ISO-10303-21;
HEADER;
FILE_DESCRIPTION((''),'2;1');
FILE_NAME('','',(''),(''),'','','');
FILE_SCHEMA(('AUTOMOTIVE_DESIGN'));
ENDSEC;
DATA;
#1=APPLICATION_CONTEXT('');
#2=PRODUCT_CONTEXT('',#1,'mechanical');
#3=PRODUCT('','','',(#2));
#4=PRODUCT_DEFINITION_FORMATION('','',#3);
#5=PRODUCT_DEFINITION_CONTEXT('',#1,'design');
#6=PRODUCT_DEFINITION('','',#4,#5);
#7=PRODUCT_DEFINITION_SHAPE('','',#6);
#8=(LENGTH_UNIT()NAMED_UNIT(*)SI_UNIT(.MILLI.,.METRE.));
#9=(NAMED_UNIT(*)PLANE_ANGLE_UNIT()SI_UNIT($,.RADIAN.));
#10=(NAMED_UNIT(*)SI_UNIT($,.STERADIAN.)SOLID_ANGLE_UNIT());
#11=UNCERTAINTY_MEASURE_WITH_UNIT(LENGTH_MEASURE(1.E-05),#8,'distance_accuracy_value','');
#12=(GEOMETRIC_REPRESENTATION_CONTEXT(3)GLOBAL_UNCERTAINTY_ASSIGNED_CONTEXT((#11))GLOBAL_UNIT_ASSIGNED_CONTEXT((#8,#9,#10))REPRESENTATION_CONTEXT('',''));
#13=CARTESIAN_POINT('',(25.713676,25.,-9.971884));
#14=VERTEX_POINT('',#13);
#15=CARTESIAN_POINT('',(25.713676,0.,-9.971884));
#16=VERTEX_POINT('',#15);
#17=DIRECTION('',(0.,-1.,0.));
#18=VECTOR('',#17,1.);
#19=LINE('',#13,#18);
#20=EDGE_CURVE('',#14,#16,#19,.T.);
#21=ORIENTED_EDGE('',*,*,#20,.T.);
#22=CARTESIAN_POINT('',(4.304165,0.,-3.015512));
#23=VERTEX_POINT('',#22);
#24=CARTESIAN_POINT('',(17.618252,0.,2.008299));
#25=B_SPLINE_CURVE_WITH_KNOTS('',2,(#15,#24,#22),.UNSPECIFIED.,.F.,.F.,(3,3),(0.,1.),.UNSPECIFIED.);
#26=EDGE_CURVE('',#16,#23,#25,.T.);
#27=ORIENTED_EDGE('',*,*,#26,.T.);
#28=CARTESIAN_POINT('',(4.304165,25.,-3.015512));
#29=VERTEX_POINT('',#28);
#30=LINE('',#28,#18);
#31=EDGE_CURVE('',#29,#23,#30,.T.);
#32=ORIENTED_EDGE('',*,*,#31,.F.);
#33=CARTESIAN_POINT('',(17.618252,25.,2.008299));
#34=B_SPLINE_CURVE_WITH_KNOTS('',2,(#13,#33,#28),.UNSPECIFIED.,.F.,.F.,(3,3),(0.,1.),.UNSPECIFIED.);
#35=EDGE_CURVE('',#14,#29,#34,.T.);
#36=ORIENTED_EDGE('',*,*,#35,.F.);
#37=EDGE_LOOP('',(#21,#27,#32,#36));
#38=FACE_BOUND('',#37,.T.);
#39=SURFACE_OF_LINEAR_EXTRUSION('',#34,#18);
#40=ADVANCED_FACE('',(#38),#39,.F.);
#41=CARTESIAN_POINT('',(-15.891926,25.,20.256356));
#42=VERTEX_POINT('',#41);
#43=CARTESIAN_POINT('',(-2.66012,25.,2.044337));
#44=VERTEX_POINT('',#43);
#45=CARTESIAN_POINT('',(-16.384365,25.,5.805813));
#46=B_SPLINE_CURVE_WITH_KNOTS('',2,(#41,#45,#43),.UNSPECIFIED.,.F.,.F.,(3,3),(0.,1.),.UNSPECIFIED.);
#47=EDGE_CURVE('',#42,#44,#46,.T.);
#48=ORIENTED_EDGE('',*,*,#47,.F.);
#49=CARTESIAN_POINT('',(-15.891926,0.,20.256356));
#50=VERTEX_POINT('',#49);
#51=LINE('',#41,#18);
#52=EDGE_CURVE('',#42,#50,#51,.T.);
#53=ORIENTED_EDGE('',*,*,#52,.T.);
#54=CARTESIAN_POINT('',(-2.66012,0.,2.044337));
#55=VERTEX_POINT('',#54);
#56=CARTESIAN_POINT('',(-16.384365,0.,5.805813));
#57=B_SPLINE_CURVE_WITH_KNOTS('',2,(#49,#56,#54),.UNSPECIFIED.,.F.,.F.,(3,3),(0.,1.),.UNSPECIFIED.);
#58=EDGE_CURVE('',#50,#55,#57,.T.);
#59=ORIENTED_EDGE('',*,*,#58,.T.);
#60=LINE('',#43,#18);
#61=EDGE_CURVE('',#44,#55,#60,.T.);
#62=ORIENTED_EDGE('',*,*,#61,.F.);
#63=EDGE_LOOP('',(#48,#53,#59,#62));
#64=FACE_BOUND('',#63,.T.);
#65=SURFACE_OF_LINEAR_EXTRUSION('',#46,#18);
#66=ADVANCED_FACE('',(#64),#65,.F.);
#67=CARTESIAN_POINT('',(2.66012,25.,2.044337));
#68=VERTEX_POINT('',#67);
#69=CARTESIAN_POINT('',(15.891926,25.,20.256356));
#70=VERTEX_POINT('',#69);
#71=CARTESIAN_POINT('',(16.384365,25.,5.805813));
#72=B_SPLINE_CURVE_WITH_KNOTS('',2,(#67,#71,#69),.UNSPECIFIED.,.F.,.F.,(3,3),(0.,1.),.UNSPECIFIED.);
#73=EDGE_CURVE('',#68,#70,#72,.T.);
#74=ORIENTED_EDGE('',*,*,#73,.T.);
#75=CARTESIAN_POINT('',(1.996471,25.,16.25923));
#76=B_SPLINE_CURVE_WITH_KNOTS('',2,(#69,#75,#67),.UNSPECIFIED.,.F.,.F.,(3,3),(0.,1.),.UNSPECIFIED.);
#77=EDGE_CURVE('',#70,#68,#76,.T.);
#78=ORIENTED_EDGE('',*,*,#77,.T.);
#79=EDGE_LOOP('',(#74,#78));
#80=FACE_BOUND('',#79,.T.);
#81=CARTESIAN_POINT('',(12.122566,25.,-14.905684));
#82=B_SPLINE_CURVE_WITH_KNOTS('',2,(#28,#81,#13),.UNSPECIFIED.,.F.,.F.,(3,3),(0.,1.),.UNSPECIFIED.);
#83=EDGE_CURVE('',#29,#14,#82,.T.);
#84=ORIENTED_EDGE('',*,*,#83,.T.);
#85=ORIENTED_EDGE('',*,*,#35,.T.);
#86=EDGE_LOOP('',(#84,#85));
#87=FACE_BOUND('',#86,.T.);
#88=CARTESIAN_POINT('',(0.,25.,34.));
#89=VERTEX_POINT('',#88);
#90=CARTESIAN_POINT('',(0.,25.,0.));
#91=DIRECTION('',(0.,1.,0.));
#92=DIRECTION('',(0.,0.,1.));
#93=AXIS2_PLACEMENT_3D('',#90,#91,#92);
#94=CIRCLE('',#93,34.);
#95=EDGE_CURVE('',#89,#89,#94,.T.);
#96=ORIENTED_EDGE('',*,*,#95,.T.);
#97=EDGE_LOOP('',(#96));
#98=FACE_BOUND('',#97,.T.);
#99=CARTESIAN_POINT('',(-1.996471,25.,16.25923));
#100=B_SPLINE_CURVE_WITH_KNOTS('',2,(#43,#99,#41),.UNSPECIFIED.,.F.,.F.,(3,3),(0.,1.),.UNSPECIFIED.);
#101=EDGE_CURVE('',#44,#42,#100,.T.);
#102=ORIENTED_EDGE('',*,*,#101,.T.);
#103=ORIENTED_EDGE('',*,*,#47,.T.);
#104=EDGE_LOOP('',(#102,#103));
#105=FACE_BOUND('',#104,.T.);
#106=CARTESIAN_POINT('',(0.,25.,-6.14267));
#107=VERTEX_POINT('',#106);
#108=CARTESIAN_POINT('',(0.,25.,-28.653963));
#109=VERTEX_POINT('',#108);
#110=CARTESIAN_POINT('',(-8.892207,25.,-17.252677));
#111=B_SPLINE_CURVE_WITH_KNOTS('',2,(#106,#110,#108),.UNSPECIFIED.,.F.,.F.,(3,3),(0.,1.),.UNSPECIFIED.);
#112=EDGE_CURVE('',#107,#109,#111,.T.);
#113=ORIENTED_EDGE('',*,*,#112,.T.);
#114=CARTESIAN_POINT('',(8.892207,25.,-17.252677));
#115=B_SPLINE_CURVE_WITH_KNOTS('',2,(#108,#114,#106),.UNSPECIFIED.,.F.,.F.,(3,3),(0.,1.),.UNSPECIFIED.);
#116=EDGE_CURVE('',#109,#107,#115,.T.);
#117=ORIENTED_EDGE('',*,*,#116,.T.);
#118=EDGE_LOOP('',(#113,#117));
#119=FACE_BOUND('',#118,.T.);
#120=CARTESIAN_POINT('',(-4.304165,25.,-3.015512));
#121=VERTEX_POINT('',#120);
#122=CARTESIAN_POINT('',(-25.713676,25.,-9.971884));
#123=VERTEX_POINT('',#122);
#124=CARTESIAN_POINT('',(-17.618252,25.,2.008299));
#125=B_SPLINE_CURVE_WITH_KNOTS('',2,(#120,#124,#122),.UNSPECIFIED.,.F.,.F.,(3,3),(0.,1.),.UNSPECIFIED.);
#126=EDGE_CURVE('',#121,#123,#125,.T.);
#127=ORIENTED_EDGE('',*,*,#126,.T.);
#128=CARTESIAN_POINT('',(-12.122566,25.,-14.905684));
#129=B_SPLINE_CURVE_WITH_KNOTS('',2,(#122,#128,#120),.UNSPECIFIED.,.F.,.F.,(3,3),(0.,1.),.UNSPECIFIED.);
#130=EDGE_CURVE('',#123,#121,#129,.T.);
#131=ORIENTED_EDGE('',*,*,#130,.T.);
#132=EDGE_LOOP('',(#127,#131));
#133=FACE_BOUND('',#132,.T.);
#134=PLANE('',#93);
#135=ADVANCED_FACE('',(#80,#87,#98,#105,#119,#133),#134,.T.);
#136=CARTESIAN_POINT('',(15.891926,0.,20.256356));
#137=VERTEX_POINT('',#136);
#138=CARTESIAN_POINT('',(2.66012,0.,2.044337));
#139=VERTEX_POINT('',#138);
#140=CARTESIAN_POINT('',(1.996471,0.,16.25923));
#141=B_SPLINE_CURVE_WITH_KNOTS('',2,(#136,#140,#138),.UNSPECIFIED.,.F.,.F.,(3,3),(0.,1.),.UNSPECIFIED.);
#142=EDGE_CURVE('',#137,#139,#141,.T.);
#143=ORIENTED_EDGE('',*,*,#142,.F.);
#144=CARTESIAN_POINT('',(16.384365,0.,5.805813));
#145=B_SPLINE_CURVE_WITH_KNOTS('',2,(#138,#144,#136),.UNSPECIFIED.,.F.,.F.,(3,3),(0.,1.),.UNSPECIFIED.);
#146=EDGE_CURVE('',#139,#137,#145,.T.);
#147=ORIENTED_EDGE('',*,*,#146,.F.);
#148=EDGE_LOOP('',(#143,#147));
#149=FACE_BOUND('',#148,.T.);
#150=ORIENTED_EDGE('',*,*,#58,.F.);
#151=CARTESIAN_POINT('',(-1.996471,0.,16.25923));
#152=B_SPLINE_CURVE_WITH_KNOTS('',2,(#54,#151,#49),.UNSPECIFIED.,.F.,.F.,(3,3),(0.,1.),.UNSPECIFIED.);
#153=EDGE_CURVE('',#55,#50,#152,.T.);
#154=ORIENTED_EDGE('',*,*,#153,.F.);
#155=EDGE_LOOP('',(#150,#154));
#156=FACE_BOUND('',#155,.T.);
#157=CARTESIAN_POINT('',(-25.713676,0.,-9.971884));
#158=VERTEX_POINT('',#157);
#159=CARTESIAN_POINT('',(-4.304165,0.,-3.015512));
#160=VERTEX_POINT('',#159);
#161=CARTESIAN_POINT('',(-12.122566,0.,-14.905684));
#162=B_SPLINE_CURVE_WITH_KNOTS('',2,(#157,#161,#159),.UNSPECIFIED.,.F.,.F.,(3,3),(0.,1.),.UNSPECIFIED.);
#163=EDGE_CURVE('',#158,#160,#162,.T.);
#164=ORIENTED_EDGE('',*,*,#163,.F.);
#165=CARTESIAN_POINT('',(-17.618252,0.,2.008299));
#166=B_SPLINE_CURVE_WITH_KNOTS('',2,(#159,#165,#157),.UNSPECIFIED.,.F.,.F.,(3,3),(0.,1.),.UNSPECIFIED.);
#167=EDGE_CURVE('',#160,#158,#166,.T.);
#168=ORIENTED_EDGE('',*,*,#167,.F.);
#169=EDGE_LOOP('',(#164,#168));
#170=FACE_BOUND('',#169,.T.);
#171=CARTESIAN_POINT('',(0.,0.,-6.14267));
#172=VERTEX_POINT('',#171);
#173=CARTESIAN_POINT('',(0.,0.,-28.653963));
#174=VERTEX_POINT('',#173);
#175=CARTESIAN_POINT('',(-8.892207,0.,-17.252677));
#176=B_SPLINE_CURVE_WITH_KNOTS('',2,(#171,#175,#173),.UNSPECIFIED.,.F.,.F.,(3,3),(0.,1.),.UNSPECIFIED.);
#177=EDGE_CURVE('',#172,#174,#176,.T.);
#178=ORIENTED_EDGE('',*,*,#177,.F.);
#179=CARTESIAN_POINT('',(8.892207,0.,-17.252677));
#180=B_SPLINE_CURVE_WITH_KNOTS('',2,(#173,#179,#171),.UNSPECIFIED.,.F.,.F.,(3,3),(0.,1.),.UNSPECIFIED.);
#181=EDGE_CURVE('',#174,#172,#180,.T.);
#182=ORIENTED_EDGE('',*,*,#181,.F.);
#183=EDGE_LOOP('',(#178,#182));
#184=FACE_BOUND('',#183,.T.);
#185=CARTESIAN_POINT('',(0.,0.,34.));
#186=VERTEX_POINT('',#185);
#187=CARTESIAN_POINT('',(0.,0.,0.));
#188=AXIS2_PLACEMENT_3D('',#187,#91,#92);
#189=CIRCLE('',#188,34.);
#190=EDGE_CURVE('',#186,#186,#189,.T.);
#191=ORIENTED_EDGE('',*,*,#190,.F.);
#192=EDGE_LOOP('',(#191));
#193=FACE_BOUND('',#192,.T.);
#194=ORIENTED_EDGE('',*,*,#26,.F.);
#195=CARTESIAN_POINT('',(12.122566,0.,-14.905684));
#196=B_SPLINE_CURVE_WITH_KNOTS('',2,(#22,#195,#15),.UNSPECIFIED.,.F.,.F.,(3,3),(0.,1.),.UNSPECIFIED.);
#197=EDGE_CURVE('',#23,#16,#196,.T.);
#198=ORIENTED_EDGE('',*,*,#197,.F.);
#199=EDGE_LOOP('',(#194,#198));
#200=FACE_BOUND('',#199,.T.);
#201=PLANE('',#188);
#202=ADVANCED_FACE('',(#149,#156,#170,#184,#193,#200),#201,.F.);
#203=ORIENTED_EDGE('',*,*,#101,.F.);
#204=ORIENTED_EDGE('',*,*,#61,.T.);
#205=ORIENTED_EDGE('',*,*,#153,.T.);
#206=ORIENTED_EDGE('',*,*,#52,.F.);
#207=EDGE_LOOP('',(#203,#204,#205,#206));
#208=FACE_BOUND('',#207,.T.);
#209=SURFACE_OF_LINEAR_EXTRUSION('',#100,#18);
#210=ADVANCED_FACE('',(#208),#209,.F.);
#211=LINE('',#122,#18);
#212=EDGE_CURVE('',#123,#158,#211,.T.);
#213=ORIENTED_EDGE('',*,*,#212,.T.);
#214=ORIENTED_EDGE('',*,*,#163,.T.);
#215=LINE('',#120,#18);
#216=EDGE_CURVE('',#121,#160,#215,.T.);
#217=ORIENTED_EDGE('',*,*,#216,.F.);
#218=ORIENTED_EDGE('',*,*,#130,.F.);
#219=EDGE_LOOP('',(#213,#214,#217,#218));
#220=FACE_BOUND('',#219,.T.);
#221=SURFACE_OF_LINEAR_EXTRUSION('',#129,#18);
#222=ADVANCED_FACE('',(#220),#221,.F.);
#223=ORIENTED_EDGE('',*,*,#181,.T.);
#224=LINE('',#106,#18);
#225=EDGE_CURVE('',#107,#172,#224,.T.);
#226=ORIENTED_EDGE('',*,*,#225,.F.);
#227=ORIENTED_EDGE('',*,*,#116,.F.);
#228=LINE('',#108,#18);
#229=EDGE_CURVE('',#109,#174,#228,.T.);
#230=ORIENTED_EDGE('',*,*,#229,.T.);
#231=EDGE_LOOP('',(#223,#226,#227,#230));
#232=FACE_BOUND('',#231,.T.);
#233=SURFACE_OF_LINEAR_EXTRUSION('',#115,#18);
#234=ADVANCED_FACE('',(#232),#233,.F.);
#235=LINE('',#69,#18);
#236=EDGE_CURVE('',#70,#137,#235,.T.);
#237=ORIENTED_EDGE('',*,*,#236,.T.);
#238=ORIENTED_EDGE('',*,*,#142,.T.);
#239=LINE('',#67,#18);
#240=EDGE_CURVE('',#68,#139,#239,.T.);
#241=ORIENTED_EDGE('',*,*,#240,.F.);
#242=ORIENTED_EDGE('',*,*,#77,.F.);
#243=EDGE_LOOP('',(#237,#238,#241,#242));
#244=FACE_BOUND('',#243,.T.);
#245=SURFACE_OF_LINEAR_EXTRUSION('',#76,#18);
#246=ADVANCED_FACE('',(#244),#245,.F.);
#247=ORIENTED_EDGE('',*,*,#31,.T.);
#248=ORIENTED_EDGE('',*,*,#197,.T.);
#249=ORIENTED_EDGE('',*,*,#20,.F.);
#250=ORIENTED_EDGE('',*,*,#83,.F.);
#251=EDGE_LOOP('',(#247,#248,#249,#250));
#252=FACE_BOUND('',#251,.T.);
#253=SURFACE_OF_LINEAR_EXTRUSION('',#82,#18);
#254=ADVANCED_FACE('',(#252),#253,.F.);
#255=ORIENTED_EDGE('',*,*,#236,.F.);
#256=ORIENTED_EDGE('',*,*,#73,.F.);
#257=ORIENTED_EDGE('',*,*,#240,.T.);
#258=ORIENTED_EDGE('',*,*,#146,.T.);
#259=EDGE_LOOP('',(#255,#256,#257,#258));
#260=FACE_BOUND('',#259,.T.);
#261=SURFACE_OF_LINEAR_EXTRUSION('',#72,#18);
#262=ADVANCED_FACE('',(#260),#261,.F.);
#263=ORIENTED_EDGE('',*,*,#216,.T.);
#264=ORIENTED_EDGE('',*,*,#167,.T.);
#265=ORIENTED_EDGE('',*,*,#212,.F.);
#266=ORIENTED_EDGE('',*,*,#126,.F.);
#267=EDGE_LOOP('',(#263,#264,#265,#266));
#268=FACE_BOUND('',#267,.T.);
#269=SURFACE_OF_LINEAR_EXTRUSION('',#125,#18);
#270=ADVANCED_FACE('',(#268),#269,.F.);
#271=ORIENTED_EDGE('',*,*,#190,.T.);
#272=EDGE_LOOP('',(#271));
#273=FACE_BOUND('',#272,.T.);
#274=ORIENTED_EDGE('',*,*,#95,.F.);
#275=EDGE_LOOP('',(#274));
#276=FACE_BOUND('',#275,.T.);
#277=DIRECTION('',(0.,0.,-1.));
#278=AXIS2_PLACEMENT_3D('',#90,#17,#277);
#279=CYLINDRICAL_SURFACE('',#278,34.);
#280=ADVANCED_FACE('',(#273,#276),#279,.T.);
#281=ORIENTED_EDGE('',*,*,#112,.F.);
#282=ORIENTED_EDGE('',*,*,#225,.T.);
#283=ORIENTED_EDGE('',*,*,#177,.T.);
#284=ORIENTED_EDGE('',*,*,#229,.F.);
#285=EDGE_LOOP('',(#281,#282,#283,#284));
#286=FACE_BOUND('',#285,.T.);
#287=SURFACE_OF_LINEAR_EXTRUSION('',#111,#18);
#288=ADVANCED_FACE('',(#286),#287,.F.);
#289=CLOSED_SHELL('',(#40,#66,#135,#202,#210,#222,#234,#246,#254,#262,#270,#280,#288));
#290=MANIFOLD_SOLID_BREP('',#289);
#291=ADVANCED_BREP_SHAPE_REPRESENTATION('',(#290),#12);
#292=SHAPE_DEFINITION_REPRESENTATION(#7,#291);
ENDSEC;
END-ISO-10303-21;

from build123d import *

# Parameters (mm, degrees)
SKETCH_1_R          = 34
EXTRUDE_1_DEPTH     = 25
CUT_EXTRUDE_1_DEPTH = 25


with BuildPart() as part:
    # 草图1 → 凸台-拉伸1 (new body)
    with BuildSketch(Plane(origin=(0, 0, 0), x_dir=(1, 0, 0), z_dir=(0, 1, 0))):
        Circle(SKETCH_1_R)
    extrude(amount=EXTRUDE_1_DEPTH)

    # 草图2 → 切除-拉伸1 (cut)
    with BuildSketch(Plane.XZ):
        with BuildLine():
            add(Edge.make_bspline(
                [(0, -6.142670146), (8.892207312, -17.25267682), (0, -28.653962674)],
                knots=[0, 0, 0, 1, 1, 1], degree=2))
            add(Edge.make_bspline(
                [(0, -6.142670146), (-8.892207312, -17.25267682), (0, -28.653962674)],
                knots=[0, 0, 0, 1, 1, 1], degree=2))
        make_face()
        with BuildLine():
            add(Edge.make_bspline(
                [(-4.304164555, -3.01551155), (-17.618251974, 2.008299288), (-25.713676003, -9.971883506)],
                knots=[0, 0, 0, 1, 1, 1], degree=2))
            add(Edge.make_bspline(
                [(-4.304164555, -3.01551155), (-12.122565621, -14.905684128), (-25.713676003, -9.971883506)],
                knots=[0, 0, 0, 1, 1, 1], degree=2))
        make_face()
        with BuildLine():
            add(Edge.make_bspline(
                [(-2.660119988, 2.044337347), (-1.996471231, 16.259229872), (-15.891925746, 20.256355567)],
                knots=[0, 0, 0, 1, 1, 1], degree=2))
            add(Edge.make_bspline(
                [(-2.660119988, 2.044337347), (-16.384364896, 5.805813236), (-15.891925746, 20.256355567)],
                knots=[0, 0, 0, 1, 1, 1], degree=2))
        make_face()
        with BuildLine():
            add(Edge.make_bspline(
                [(2.660119988, 2.044337347), (16.384364896, 5.805813236), (15.891925746, 20.256355567)],
                knots=[0, 0, 0, 1, 1, 1], degree=2))
            add(Edge.make_bspline(
                [(2.660119988, 2.044337347), (1.996471231, 16.259229872), (15.891925746, 20.256355567)],
                knots=[0, 0, 0, 1, 1, 1], degree=2))
        make_face()
        with BuildLine():
            add(Edge.make_bspline(
                [(4.304164555, -3.01551155), (12.122565621, -14.905684128), (25.713676003, -9.971883506)],
                knots=[0, 0, 0, 1, 1, 1], degree=2))
            add(Edge.make_bspline(
                [(4.304164555, -3.01551155), (17.618251974, 2.008299288), (25.713676003, -9.971883506)],
                knots=[0, 0, 0, 1, 1, 1], degree=2))
        make_face()
    extrude(amount=-CUT_EXTRUDE_1_DEPTH, mode=Mode.SUBTRACT)


solid = part.part
